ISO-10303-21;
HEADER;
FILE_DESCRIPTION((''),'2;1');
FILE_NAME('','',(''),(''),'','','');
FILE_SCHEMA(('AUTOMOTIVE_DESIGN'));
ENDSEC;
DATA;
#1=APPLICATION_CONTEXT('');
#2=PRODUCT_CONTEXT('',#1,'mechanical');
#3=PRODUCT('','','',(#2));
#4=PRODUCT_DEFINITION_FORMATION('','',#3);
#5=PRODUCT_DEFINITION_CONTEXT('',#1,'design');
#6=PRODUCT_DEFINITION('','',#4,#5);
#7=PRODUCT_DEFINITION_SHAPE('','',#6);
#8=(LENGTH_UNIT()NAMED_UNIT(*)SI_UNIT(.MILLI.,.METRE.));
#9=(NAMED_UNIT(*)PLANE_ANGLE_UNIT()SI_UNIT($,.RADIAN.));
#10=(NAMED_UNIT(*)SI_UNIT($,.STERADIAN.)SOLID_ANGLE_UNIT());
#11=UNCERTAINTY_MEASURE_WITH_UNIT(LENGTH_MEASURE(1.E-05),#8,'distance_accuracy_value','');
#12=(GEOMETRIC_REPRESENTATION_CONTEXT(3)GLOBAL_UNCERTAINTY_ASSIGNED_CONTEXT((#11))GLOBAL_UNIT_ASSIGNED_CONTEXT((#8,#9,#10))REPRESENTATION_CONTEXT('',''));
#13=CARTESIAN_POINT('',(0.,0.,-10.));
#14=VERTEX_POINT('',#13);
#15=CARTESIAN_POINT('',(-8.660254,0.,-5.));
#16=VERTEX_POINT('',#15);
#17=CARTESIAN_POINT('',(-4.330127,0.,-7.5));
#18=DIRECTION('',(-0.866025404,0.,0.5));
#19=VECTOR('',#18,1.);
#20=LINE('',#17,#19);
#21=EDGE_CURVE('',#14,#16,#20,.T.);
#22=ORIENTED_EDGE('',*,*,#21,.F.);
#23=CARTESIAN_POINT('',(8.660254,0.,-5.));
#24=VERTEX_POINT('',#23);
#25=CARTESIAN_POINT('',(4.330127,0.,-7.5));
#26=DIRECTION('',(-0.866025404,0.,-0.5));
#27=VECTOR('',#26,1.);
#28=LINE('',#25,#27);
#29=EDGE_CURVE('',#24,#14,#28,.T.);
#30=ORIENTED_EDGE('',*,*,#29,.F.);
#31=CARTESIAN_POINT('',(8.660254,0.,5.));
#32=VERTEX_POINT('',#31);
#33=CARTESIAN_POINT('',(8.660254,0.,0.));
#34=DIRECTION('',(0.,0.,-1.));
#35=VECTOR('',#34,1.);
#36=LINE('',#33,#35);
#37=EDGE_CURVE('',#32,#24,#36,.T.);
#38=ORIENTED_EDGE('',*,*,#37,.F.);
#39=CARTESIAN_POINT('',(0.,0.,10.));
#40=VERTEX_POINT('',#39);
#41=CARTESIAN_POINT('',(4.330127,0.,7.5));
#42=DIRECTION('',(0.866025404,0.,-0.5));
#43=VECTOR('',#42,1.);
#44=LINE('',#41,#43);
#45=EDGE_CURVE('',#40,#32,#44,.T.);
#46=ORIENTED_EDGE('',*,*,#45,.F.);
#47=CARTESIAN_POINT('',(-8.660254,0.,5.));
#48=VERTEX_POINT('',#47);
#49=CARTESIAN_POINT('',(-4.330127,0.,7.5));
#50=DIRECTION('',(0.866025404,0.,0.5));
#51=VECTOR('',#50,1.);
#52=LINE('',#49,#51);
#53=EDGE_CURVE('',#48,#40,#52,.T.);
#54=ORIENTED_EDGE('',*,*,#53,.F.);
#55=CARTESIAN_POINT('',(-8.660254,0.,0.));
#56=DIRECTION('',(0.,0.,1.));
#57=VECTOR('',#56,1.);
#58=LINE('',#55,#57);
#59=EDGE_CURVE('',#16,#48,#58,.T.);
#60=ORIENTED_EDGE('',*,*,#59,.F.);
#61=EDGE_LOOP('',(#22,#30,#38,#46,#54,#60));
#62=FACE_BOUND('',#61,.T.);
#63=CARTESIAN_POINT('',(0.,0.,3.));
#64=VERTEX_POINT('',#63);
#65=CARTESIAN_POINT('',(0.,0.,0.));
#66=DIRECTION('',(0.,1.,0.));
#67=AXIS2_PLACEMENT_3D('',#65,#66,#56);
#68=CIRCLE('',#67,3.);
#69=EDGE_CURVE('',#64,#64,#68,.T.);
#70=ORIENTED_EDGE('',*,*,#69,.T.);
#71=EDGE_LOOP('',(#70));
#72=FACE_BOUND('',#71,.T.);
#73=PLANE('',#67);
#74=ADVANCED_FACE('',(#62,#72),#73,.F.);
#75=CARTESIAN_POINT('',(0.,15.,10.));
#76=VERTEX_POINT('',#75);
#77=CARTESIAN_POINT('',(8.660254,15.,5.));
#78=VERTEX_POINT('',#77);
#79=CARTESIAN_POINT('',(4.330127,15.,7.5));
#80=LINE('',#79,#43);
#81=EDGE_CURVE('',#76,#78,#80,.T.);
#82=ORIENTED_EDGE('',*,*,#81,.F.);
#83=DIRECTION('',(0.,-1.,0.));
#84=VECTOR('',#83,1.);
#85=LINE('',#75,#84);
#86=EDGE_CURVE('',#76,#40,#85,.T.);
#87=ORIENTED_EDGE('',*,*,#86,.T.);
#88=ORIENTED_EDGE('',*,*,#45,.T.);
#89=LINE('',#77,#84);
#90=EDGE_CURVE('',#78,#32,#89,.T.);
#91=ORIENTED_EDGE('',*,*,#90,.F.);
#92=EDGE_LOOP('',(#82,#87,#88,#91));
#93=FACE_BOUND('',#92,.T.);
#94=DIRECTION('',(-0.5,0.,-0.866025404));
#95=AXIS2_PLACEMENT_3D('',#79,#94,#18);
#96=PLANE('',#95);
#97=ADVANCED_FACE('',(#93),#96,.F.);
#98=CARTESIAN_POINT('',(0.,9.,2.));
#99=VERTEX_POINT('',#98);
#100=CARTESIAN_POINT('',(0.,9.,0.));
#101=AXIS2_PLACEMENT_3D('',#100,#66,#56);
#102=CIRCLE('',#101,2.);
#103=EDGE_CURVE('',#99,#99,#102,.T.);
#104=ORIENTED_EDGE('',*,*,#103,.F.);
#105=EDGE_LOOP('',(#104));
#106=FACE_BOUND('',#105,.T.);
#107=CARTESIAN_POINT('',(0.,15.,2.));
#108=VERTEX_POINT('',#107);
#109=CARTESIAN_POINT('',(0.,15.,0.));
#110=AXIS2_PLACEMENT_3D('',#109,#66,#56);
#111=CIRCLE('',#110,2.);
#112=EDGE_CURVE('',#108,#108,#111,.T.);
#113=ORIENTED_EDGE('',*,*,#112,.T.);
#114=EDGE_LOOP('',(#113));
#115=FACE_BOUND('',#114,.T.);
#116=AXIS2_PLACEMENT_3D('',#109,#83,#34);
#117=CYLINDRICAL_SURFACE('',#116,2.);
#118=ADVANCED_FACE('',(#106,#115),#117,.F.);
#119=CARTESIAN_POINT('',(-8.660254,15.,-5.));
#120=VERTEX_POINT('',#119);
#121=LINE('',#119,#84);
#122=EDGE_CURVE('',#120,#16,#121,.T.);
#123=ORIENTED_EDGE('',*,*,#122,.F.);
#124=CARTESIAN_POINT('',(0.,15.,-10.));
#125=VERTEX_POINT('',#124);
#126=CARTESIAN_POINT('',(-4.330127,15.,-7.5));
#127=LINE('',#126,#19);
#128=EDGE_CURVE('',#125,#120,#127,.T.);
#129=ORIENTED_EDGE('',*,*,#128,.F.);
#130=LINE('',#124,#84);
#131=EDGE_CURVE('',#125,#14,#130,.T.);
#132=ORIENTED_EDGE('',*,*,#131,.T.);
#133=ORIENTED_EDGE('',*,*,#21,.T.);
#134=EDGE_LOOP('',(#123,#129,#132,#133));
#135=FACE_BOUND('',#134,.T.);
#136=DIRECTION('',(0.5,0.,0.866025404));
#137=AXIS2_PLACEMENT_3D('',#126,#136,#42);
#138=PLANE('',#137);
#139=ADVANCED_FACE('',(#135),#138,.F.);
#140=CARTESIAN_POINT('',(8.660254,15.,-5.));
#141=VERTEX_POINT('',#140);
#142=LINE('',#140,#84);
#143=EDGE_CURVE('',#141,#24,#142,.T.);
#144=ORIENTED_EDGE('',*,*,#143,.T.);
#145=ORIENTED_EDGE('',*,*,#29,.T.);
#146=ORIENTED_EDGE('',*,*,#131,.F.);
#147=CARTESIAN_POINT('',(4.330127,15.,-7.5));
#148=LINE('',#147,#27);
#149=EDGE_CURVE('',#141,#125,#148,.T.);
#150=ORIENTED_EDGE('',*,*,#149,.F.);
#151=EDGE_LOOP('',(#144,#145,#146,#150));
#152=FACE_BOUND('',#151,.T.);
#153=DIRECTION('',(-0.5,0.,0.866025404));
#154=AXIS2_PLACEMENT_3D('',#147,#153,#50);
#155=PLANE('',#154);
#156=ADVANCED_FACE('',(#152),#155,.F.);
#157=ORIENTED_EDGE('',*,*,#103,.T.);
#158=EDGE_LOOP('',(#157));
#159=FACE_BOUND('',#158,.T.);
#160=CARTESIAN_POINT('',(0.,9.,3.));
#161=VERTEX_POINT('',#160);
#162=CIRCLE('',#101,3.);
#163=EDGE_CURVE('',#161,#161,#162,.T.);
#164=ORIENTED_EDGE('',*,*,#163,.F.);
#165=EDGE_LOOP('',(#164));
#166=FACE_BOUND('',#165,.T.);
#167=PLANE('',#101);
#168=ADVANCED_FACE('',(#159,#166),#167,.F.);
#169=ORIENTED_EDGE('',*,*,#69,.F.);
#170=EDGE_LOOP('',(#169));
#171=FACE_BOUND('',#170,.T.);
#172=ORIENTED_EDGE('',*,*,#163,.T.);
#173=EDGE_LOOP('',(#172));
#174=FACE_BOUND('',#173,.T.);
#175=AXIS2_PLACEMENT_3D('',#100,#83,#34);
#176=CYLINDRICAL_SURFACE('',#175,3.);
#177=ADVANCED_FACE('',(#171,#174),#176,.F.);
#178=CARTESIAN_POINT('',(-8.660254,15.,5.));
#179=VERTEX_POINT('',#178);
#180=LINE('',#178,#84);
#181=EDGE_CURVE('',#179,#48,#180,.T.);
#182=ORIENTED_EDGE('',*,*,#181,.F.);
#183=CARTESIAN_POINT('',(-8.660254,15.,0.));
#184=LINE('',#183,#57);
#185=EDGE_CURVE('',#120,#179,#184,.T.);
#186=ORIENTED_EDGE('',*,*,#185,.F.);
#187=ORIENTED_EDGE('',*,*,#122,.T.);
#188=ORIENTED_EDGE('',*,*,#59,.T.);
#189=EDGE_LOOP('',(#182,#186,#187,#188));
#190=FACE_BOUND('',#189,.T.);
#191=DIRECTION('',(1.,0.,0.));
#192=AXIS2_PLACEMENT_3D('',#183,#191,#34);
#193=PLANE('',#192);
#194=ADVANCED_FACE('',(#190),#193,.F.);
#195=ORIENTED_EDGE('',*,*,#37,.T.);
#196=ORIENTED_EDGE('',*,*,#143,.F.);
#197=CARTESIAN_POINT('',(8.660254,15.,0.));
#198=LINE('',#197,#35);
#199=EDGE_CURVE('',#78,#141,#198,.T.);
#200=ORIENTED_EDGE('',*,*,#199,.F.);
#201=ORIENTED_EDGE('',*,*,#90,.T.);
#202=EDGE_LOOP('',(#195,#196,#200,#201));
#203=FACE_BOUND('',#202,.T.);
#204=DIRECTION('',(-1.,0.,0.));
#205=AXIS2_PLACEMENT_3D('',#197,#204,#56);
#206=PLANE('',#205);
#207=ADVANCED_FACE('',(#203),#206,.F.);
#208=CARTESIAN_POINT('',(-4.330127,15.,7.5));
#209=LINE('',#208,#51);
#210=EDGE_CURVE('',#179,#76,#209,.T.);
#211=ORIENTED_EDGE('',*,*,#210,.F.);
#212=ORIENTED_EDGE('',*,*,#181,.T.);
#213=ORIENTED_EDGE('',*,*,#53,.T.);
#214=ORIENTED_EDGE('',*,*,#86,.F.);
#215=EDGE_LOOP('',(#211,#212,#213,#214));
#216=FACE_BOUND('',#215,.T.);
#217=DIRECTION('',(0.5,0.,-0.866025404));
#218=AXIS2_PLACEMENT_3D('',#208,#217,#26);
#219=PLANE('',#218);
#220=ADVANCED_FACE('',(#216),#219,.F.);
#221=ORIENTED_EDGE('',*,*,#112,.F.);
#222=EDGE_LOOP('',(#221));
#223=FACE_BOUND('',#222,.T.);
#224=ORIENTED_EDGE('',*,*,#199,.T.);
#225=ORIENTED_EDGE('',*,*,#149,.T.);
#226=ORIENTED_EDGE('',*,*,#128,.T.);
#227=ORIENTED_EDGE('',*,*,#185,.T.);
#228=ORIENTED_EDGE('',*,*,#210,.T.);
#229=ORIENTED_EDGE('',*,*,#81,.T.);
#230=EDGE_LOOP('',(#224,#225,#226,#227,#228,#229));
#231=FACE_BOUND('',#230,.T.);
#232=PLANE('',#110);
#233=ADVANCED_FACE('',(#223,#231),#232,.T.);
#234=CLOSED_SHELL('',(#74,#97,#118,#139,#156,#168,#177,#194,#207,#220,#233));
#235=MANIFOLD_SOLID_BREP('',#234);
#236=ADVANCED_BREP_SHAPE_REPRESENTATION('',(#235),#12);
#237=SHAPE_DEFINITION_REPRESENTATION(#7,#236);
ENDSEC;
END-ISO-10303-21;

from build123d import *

# Parameters (mm, degrees)
SKETCH2_R           = 2
BOSS_EXTRUDE1_DEPTH = 15
SKETCH2_4_R         = 3
SKETCH2_4_R_2       = 2
CUT_EXTRUDE1_DEPTH  = 9


with BuildPart() as part:
    # Sketch2 → Boss-Extrude1 (new body)
    with BuildSketch(Plane(origin=(0, 0, 0), x_dir=(1, 0, 0), z_dir=(0, 1, 0))):
        Polygon((8.660254038, 5), (0, 10), (-8.660254038, 5), (-8.660254038, -5), (0, -10), (8.660254038, -5), align=None)
        Circle(SKETCH2_R, mode=Mode.SUBTRACT)
    extrude(amount=BOSS_EXTRUDE1_DEPTH)

    # Sketch2<4> → Cut-Extrude1 (cut)
    with BuildSketch(Plane(origin=(0, 0, 0), x_dir=(1, 0, 0), z_dir=(0, 1, 0))):
        Circle(SKETCH2_4_R)
        Circle(SKETCH2_4_R_2, mode=Mode.SUBTRACT)
    extrude(amount=CUT_EXTRUDE1_DEPTH, mode=Mode.SUBTRACT)


solid = part.part
